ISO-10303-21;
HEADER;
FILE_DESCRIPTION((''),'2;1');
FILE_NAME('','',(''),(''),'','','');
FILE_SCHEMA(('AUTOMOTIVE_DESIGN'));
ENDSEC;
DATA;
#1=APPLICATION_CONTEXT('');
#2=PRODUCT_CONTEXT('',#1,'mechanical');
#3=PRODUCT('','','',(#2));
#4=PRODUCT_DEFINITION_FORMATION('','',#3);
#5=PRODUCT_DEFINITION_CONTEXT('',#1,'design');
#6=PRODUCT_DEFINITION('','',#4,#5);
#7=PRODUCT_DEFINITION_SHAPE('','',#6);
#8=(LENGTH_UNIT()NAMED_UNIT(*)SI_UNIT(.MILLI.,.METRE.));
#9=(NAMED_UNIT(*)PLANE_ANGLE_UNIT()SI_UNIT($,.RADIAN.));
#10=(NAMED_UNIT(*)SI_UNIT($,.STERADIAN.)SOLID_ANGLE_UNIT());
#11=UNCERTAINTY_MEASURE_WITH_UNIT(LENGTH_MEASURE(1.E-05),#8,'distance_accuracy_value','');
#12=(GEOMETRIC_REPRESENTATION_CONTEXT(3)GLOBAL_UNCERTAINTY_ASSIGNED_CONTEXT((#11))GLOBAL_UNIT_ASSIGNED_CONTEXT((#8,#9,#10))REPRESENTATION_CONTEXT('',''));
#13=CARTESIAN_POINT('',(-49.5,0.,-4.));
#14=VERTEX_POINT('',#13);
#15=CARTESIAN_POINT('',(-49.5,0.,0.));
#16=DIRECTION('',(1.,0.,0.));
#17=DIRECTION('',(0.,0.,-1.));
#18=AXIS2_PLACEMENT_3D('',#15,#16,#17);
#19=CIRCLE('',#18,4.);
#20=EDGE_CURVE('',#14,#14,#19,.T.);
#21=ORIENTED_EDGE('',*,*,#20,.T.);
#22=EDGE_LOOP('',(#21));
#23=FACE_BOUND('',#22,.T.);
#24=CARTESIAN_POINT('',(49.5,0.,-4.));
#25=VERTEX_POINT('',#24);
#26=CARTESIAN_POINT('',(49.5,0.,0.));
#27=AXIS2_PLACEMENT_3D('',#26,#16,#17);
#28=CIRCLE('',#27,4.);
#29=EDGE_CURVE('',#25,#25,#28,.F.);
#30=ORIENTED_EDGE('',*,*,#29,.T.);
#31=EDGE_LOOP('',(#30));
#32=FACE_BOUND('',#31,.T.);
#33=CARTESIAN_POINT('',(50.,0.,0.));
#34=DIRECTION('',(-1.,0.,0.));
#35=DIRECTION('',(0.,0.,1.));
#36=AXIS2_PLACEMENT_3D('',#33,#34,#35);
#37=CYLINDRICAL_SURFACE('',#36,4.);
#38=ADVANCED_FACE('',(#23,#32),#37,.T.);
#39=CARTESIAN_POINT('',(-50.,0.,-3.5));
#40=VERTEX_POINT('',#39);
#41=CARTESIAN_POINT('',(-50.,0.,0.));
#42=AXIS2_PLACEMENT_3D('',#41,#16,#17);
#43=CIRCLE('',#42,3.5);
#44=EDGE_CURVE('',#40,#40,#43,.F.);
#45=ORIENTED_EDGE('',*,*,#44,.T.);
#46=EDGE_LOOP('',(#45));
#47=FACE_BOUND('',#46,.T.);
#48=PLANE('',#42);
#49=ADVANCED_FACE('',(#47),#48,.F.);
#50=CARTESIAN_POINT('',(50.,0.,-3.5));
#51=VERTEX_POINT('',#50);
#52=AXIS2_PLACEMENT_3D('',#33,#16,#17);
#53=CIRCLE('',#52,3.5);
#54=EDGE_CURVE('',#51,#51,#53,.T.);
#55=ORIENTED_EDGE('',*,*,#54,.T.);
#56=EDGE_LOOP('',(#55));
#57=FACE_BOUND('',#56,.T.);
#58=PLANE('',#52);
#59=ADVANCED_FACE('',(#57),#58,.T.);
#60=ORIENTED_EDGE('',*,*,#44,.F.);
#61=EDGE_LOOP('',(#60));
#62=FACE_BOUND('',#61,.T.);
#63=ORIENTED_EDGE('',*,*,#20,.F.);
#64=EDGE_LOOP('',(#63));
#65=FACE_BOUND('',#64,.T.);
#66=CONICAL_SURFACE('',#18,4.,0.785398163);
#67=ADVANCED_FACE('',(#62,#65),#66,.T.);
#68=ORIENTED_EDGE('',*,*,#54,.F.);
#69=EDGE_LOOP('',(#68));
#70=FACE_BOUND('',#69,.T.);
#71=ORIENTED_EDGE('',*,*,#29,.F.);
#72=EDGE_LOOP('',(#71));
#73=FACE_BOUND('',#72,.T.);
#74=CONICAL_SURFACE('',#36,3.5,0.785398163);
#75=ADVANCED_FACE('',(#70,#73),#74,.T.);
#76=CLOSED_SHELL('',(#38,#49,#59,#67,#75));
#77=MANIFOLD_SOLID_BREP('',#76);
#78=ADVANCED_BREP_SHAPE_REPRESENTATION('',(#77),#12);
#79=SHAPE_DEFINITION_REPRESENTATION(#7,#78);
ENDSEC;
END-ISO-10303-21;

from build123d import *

# Parameters (mm, degrees)
SKETCH1_R           = 4
BOSS_EXTRUDE1_DEPTH = 50
CHAMFER1_SIZE       = 0.5


with BuildPart() as part:
    # Sketch1 → Boss-Extrude1 (new body, symmetric)
    with BuildSketch(Plane(origin=(0, 0, 0), x_dir=(0, -1, 0), z_dir=(1, 0, 0))):
        Circle(SKETCH1_R)
    extrude(amount=BOSS_EXTRUDE1_DEPTH, both=True)

    # Chamfer1
    chamfer1_edges = [part.edges().sort_by_distance(p)[0] for p in [
        (-50, 4, 0),
        (50, 4, 0),
    ]]
    chamfer(chamfer1_edges, length=CHAMFER1_SIZE)


solid = part.part
